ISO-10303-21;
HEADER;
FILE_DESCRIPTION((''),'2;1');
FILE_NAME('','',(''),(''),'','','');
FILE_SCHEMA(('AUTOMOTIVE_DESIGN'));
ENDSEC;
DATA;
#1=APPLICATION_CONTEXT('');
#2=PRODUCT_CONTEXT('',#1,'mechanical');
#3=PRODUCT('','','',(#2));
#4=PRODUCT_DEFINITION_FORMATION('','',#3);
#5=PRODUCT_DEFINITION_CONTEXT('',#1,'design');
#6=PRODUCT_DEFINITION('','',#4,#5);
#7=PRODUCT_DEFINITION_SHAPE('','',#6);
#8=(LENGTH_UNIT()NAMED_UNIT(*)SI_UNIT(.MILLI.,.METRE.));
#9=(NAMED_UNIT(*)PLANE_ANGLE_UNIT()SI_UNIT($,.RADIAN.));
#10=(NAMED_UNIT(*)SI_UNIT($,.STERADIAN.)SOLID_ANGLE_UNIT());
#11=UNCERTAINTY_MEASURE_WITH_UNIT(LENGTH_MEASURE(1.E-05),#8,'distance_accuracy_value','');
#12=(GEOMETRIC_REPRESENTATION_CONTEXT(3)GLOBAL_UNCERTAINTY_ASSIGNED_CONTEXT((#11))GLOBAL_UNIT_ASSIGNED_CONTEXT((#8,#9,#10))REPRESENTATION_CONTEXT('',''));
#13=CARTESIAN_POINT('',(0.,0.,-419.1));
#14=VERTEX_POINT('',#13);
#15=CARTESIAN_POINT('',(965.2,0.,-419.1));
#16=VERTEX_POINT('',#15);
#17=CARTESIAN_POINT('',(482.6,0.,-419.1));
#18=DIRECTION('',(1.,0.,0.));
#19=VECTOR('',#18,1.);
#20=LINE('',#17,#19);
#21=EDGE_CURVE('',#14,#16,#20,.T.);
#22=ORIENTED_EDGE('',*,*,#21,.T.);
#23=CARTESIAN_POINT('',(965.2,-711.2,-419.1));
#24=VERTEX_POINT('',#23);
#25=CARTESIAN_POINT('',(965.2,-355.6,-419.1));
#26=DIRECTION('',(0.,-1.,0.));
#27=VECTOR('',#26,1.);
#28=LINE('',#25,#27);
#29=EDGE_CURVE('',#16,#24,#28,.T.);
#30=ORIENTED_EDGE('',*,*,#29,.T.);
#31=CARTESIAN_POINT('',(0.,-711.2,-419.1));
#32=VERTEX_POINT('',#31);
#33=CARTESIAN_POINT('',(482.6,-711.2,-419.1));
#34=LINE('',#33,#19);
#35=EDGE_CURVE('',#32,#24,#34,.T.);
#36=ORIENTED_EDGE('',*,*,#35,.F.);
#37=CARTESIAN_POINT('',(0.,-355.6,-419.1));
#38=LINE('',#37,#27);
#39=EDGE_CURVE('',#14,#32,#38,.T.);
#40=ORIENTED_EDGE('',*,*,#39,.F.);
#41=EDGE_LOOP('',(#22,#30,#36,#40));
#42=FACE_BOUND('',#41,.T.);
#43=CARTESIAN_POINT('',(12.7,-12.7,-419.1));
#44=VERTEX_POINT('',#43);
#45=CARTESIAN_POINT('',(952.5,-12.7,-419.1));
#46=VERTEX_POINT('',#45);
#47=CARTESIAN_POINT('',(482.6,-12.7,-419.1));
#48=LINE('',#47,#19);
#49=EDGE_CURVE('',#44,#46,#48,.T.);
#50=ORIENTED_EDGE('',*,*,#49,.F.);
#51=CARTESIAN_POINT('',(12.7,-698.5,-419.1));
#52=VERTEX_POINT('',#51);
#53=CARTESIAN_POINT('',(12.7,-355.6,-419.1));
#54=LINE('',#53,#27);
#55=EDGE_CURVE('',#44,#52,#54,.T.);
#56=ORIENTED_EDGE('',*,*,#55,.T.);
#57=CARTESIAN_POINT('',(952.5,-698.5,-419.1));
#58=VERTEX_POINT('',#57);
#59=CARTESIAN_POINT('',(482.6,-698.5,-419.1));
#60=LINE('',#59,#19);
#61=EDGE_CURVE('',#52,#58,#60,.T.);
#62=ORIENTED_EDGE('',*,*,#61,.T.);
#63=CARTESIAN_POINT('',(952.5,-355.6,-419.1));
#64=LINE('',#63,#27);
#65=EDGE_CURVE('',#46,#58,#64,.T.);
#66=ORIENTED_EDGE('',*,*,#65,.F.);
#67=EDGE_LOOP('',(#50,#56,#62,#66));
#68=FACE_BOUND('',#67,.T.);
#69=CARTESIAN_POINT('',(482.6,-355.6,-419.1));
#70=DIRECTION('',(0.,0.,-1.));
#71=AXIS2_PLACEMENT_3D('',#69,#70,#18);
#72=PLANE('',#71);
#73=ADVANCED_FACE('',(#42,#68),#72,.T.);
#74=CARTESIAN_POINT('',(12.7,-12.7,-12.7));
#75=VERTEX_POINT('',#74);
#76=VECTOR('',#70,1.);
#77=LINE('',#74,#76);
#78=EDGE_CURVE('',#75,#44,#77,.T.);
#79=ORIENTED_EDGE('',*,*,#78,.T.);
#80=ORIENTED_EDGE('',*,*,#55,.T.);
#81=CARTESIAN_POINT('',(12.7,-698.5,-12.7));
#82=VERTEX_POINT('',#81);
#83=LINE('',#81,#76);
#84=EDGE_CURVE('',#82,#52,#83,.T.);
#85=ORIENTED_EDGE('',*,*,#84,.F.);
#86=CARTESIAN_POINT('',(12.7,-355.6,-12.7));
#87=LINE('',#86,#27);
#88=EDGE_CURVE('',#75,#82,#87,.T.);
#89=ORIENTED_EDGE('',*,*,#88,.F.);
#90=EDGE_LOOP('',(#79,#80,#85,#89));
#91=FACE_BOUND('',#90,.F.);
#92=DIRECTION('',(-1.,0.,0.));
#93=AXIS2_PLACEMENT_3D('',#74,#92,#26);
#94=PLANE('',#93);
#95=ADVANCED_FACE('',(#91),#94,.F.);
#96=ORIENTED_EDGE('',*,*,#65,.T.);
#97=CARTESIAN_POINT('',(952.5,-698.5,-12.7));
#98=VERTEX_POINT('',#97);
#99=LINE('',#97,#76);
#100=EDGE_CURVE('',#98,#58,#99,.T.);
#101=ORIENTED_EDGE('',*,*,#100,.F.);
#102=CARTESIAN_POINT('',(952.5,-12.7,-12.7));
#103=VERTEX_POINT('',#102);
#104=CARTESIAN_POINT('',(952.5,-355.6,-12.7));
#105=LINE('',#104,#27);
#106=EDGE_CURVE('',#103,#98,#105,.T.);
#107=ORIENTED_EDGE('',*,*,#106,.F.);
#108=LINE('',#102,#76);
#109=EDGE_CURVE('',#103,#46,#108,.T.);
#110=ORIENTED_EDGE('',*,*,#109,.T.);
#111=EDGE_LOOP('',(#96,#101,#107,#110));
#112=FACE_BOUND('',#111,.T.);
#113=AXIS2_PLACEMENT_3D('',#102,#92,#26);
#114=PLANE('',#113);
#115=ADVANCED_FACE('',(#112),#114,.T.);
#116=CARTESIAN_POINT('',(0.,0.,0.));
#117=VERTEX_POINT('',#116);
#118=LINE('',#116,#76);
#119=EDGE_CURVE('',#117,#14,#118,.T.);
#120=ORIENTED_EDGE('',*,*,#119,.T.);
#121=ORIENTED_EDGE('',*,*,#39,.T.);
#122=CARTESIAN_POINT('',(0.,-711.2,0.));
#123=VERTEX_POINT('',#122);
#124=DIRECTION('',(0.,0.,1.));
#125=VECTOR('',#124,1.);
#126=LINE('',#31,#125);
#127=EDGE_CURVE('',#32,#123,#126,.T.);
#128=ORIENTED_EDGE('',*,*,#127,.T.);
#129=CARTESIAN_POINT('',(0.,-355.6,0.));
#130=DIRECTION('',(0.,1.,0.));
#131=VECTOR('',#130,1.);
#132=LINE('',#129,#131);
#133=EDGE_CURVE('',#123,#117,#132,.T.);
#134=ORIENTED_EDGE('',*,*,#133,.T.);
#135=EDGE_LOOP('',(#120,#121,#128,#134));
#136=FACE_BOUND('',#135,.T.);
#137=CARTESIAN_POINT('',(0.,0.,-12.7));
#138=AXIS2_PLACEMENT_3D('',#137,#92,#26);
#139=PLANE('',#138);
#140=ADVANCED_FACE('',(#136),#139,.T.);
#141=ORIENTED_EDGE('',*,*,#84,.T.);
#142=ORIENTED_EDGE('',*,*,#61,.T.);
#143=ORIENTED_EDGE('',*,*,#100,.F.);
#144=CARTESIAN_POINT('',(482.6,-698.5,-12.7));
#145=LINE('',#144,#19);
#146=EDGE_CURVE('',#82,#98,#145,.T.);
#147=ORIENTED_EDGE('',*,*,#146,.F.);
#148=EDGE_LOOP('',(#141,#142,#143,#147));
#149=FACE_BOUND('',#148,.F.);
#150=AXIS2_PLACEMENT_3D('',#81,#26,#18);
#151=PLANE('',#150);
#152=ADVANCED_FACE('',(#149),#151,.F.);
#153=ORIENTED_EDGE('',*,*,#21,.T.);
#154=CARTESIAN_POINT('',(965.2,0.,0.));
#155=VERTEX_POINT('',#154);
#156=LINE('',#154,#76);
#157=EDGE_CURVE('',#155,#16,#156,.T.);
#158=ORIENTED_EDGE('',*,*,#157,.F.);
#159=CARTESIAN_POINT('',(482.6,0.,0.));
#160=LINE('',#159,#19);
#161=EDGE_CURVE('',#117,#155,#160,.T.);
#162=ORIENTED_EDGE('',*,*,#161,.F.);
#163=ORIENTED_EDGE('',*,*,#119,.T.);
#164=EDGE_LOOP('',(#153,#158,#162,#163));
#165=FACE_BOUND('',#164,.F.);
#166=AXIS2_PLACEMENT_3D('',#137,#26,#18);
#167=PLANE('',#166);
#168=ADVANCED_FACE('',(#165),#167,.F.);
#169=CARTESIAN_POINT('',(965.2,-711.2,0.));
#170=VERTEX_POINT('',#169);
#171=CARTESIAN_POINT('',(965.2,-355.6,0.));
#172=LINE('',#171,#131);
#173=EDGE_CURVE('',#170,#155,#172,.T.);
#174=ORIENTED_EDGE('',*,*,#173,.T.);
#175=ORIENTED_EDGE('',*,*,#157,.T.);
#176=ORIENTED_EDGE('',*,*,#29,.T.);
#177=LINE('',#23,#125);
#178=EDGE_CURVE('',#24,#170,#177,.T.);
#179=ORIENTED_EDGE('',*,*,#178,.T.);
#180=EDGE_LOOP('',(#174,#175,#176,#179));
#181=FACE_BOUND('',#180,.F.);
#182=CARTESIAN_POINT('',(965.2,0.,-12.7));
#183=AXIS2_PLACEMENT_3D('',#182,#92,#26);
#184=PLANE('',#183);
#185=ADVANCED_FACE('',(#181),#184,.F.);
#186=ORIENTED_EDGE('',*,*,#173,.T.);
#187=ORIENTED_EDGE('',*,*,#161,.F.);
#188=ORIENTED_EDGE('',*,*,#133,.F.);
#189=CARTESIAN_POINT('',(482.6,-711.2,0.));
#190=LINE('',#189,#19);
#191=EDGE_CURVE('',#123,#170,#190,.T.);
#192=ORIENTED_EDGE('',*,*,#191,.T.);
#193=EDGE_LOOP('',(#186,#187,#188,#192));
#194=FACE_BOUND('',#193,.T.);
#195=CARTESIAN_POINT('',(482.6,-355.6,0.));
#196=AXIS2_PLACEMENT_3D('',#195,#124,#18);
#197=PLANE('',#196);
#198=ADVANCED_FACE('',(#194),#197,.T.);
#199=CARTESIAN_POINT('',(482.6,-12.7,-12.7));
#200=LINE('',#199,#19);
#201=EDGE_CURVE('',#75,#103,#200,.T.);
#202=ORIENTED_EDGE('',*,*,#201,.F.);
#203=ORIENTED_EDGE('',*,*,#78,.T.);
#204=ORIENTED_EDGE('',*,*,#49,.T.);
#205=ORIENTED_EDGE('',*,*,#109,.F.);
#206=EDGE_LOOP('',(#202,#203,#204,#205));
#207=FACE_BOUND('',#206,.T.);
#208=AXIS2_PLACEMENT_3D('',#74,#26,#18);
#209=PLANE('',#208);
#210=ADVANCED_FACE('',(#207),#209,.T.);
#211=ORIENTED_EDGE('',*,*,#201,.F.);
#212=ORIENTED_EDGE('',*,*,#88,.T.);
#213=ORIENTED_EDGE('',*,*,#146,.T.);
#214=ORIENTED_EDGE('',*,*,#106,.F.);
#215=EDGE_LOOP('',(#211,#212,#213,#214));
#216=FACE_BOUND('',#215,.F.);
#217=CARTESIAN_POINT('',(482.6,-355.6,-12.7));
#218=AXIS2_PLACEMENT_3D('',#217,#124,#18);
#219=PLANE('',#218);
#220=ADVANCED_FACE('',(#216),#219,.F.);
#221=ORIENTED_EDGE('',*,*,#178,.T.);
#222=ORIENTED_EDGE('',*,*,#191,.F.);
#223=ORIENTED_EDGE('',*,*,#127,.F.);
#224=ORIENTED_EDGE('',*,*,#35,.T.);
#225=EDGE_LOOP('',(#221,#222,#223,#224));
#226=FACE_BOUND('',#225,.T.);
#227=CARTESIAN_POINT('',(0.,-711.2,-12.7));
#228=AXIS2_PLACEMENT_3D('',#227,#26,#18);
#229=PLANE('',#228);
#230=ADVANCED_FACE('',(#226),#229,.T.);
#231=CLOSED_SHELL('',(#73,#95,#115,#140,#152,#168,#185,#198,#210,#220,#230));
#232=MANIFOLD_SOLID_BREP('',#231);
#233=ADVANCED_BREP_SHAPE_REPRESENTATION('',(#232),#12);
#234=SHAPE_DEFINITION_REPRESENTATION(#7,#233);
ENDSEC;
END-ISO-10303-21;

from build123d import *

# Parameters (mm, degrees)
F0_W     = 965.2
F0_H     = 711.2
F1_DEPTH = 12.7
F2_W     = 965.2
F2_H     = 711.2
F2_W_2   = 939.8
F2_H_2   = 685.8
F3_DEPTH = 406.4


with BuildPart() as f1:
    # F0 (on Top) → F1 (new body)
    with BuildSketch(Plane.XY):
        with Locations((482.6, -355.6)):
            Rectangle(F0_W, F0_H)
    extrude(amount=-F1_DEPTH)

    # F2 (on face) → F3 (join)
    with BuildSketch(Plane(origin=(0, 0, -12.7), x_dir=(1, 0, 0), z_dir=(0, 0, -1))):
        with Locations((482.6, 355.6)):
            Rectangle(F2_W, F2_H)
        with Locations((482.6, 355.6)):
            Rectangle(F2_W_2, F2_H_2, mode=Mode.SUBTRACT)
    extrude(amount=F3_DEPTH)


solid = f1.part
